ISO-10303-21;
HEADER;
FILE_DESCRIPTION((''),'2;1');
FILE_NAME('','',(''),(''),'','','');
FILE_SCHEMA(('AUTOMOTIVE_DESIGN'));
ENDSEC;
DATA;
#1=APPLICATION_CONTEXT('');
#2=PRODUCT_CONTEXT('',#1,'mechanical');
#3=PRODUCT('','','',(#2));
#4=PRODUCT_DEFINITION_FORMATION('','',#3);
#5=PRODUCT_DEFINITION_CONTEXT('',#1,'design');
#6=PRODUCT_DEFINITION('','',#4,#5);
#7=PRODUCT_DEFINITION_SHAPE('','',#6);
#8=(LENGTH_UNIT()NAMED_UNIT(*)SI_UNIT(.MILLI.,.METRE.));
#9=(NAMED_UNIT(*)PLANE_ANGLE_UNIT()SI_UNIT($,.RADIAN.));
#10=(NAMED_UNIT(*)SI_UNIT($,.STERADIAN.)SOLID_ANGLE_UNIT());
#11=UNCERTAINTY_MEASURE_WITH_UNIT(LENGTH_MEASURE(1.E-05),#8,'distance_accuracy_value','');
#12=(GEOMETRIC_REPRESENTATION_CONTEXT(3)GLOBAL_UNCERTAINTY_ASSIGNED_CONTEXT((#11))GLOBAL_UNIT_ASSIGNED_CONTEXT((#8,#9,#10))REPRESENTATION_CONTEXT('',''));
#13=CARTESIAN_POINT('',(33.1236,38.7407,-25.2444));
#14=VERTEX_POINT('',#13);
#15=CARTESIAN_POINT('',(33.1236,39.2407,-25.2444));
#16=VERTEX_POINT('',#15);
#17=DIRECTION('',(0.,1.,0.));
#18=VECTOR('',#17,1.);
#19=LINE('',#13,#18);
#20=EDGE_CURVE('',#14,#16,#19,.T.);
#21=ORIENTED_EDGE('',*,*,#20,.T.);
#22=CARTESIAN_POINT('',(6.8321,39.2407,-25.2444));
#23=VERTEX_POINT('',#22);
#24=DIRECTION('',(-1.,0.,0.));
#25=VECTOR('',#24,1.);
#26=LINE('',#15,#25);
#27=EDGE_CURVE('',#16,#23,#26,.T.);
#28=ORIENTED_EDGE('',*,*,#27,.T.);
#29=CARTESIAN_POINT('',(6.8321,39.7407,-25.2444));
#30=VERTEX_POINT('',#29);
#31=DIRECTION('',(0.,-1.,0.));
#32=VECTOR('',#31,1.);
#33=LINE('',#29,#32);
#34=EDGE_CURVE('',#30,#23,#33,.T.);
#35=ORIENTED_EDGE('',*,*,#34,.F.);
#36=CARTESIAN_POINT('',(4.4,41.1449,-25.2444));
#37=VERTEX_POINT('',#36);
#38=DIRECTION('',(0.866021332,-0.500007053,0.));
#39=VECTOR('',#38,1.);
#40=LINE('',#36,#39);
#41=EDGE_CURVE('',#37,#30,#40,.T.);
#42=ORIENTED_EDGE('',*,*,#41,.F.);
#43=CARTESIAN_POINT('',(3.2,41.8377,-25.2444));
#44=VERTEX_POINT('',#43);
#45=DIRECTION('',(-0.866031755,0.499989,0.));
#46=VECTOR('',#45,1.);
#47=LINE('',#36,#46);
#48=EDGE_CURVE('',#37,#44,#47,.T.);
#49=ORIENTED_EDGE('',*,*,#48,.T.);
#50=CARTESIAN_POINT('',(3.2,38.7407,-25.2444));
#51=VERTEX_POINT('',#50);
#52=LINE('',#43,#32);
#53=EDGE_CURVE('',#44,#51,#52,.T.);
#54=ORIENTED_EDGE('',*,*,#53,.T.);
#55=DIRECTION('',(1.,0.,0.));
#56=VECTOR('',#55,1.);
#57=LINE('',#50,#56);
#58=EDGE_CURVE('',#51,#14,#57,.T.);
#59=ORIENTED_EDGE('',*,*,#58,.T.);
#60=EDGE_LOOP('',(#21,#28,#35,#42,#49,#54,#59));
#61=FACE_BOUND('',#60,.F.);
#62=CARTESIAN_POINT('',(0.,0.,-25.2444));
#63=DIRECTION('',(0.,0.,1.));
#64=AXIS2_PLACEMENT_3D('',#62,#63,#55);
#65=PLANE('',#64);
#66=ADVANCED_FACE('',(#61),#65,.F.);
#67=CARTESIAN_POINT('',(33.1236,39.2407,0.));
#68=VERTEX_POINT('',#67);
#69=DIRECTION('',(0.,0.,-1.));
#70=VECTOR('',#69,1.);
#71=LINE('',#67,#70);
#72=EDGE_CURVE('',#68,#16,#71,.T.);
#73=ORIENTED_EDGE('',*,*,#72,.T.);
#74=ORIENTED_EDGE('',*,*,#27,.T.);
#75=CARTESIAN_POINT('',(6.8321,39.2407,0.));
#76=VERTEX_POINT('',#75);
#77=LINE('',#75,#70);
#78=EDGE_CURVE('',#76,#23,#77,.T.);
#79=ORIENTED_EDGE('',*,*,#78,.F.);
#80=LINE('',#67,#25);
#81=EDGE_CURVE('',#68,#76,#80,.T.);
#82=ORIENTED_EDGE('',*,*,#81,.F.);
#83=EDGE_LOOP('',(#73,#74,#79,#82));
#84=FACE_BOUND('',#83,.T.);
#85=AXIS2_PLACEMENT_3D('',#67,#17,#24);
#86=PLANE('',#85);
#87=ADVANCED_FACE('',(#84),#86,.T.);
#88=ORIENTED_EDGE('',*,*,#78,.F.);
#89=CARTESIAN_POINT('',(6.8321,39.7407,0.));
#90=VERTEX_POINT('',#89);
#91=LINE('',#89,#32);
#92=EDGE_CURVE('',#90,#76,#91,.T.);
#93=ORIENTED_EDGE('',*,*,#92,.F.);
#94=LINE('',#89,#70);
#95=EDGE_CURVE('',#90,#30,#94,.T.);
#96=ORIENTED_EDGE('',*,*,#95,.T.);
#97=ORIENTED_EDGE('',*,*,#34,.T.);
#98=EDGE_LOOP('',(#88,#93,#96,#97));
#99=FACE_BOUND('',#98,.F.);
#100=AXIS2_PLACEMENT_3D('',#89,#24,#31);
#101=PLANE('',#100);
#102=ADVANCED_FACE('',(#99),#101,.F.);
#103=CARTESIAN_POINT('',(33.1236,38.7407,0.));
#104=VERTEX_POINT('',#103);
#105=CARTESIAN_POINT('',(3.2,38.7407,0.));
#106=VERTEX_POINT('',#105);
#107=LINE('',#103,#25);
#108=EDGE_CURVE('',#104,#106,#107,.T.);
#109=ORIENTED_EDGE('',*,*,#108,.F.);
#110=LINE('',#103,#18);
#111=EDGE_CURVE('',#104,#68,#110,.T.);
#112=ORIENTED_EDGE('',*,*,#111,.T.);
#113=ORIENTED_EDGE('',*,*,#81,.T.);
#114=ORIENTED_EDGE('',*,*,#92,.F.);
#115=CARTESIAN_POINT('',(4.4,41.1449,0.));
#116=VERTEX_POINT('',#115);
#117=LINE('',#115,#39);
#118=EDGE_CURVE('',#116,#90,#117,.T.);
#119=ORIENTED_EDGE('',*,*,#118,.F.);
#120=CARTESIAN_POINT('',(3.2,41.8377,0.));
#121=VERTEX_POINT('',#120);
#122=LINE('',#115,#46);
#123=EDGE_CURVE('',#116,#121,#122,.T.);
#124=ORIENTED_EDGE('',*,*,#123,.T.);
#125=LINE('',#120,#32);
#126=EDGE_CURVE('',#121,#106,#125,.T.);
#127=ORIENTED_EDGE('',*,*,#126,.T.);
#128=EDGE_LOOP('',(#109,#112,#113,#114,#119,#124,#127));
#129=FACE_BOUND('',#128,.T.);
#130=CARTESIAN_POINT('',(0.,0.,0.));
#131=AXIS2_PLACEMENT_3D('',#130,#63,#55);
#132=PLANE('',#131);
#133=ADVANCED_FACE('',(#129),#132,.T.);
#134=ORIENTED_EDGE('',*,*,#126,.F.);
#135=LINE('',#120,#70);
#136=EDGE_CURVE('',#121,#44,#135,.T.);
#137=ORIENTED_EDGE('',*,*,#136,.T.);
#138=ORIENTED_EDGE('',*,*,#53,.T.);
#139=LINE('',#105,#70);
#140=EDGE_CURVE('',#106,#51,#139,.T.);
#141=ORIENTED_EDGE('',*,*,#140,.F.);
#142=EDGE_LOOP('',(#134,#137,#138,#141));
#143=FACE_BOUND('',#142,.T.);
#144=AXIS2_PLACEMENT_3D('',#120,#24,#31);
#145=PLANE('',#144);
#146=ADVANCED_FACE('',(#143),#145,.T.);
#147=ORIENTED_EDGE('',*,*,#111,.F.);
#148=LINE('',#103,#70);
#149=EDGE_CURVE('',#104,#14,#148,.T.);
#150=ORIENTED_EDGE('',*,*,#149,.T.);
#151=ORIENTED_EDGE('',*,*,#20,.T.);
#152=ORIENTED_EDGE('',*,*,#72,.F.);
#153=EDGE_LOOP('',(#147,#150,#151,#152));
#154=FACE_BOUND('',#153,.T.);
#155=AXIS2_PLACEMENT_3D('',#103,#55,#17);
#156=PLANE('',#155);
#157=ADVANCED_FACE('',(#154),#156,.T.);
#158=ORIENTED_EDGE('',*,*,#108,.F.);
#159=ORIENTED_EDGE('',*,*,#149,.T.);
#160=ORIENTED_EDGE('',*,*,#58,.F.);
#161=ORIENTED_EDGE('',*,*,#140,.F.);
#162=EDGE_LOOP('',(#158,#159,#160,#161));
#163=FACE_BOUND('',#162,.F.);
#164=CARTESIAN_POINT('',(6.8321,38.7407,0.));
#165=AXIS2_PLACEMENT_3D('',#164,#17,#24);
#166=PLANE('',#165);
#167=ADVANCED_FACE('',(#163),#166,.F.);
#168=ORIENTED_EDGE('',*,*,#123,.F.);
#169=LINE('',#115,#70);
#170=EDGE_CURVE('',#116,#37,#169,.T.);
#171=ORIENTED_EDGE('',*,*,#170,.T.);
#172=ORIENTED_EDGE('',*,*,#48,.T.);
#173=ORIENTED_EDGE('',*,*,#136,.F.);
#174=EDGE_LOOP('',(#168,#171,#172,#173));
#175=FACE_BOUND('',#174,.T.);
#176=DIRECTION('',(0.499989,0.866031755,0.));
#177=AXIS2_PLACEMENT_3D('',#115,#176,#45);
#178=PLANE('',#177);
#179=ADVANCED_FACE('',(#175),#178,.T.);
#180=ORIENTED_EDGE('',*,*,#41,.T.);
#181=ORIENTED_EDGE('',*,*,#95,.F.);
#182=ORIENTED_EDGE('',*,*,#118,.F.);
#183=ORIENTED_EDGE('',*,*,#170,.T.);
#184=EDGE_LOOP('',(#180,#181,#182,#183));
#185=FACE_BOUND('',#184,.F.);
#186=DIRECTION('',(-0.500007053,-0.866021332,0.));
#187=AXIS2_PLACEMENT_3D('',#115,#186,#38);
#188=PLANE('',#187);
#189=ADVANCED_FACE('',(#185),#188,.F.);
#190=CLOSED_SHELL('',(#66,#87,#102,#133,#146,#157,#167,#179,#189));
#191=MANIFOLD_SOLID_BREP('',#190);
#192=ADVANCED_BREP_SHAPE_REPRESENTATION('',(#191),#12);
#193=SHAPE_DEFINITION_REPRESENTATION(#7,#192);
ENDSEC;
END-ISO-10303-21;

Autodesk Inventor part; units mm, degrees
ref_plane "YZ Plane" through (0, 0, 0) normal (1, 0, 0) x (0, 1, 0)
ref_plane "XZ Plane" through (0, 0, 0) normal (0, 1, 0) x (-1, 0, 0)
ref_plane "Arbeitsebene1" through (0, 0, 0) normal (0, 0, 1) x (1, 0, 0)
sketch "Skizze1" plane through (0, 0, 0) normal (0, 0, 1) x (1, 0, 0)
  line L0 (3, 37.7407) -> (3, 42.1841) projected
  line L1 (3, 42.1841) -> (4.4798, 41.3297) projected
  line L2 (4.4798, 41.3297) -> (4.4798, 50) projected
  line L3 (3.1236, 50) -> (4.4798, 50) projected
  line L4 (3.1236, 50) -> (3.1236, 54) projected
  line L5 (3.1236, 54) -> (33.1034, 54) projected
  line L6 (33.1034, 54) -> (33.1034, 58) projected
  line L7 (-0.0202, 58) -> (33.1034, 58) projected
  line L8 (-0.0202, 20) -> (-0.0202, 58) projected
  line L9 (4.4798, 20) -> (4.4798, 37.7407) projected
  line L10 (4.5, 37.1634) -> (4.7348, 37.2989) projected
  line L11 (4.4798, 37.7407) -> (6.4798, 37.7407) projected
  line L12 (6.4798, 40.7407) -> (5.5, 40.7407) projected
  line L13 (5.5, 40.7407) -> (4.4798, 41.3297) projected
  line L14 (4.4, 41.1449) -> (3.2, 41.8377)
  line L15 (3.2, 41.8377) -> (3.2, 36.6437)
  line L16 (3.2, 36.6437) -> (4.4, 37.3366)
  line L17 (4.4, 41.1449) -> (6.8321, 39.7407)
  line L18 (6.8321, 39.7407) -> (6.8321, 38.7407)
  line L19 (6.8321, 38.7407) -> (4.4, 37.3366)
  line L20 (33.1236, 40.3183) -> (33.1236, 39.2407)
  line L21 (33.1236, 39.2407) -> (6.8321, 39.2407)
  line L22 (33.1236, 39.2407) -> (6.8321, 39.2407)
  line L23 (6.8321, 39.2407) -> (6.8321, 38.7407)
  line L24 (6.8321, 38.7407) -> (33.1236, 38.7407)
  line L25 (33.1236, 38.7407) -> (33.1236, 39.2407)
  line L26 (6.8321, 38.7407) -> (3.2, 38.7407)
  line L27 (-0.0202, 20) -> (4.4798, 20) projected
  line L28 (4.4798, 37.7407) -> (3, 37.7407) projected
  point P0 (4.5, 37.1634)
  dimension "d0" = 0.2
  dimension "d3" = 0.5
  dimension "d4" = 1.4042
ref_plane "Arbeitsebene2" through (-0.0423, 0, -25.2444) normal (0, 0, -1) x (0, 1, 0)
extrude "Extrusion1" add sketch "Skizze1" against normal up to surface (25.2444 mm away) contours L15 L14 L17 L18 L26 | L18 L21 L25 L24
properties part number "IM_ledmatrix_diffuser"
